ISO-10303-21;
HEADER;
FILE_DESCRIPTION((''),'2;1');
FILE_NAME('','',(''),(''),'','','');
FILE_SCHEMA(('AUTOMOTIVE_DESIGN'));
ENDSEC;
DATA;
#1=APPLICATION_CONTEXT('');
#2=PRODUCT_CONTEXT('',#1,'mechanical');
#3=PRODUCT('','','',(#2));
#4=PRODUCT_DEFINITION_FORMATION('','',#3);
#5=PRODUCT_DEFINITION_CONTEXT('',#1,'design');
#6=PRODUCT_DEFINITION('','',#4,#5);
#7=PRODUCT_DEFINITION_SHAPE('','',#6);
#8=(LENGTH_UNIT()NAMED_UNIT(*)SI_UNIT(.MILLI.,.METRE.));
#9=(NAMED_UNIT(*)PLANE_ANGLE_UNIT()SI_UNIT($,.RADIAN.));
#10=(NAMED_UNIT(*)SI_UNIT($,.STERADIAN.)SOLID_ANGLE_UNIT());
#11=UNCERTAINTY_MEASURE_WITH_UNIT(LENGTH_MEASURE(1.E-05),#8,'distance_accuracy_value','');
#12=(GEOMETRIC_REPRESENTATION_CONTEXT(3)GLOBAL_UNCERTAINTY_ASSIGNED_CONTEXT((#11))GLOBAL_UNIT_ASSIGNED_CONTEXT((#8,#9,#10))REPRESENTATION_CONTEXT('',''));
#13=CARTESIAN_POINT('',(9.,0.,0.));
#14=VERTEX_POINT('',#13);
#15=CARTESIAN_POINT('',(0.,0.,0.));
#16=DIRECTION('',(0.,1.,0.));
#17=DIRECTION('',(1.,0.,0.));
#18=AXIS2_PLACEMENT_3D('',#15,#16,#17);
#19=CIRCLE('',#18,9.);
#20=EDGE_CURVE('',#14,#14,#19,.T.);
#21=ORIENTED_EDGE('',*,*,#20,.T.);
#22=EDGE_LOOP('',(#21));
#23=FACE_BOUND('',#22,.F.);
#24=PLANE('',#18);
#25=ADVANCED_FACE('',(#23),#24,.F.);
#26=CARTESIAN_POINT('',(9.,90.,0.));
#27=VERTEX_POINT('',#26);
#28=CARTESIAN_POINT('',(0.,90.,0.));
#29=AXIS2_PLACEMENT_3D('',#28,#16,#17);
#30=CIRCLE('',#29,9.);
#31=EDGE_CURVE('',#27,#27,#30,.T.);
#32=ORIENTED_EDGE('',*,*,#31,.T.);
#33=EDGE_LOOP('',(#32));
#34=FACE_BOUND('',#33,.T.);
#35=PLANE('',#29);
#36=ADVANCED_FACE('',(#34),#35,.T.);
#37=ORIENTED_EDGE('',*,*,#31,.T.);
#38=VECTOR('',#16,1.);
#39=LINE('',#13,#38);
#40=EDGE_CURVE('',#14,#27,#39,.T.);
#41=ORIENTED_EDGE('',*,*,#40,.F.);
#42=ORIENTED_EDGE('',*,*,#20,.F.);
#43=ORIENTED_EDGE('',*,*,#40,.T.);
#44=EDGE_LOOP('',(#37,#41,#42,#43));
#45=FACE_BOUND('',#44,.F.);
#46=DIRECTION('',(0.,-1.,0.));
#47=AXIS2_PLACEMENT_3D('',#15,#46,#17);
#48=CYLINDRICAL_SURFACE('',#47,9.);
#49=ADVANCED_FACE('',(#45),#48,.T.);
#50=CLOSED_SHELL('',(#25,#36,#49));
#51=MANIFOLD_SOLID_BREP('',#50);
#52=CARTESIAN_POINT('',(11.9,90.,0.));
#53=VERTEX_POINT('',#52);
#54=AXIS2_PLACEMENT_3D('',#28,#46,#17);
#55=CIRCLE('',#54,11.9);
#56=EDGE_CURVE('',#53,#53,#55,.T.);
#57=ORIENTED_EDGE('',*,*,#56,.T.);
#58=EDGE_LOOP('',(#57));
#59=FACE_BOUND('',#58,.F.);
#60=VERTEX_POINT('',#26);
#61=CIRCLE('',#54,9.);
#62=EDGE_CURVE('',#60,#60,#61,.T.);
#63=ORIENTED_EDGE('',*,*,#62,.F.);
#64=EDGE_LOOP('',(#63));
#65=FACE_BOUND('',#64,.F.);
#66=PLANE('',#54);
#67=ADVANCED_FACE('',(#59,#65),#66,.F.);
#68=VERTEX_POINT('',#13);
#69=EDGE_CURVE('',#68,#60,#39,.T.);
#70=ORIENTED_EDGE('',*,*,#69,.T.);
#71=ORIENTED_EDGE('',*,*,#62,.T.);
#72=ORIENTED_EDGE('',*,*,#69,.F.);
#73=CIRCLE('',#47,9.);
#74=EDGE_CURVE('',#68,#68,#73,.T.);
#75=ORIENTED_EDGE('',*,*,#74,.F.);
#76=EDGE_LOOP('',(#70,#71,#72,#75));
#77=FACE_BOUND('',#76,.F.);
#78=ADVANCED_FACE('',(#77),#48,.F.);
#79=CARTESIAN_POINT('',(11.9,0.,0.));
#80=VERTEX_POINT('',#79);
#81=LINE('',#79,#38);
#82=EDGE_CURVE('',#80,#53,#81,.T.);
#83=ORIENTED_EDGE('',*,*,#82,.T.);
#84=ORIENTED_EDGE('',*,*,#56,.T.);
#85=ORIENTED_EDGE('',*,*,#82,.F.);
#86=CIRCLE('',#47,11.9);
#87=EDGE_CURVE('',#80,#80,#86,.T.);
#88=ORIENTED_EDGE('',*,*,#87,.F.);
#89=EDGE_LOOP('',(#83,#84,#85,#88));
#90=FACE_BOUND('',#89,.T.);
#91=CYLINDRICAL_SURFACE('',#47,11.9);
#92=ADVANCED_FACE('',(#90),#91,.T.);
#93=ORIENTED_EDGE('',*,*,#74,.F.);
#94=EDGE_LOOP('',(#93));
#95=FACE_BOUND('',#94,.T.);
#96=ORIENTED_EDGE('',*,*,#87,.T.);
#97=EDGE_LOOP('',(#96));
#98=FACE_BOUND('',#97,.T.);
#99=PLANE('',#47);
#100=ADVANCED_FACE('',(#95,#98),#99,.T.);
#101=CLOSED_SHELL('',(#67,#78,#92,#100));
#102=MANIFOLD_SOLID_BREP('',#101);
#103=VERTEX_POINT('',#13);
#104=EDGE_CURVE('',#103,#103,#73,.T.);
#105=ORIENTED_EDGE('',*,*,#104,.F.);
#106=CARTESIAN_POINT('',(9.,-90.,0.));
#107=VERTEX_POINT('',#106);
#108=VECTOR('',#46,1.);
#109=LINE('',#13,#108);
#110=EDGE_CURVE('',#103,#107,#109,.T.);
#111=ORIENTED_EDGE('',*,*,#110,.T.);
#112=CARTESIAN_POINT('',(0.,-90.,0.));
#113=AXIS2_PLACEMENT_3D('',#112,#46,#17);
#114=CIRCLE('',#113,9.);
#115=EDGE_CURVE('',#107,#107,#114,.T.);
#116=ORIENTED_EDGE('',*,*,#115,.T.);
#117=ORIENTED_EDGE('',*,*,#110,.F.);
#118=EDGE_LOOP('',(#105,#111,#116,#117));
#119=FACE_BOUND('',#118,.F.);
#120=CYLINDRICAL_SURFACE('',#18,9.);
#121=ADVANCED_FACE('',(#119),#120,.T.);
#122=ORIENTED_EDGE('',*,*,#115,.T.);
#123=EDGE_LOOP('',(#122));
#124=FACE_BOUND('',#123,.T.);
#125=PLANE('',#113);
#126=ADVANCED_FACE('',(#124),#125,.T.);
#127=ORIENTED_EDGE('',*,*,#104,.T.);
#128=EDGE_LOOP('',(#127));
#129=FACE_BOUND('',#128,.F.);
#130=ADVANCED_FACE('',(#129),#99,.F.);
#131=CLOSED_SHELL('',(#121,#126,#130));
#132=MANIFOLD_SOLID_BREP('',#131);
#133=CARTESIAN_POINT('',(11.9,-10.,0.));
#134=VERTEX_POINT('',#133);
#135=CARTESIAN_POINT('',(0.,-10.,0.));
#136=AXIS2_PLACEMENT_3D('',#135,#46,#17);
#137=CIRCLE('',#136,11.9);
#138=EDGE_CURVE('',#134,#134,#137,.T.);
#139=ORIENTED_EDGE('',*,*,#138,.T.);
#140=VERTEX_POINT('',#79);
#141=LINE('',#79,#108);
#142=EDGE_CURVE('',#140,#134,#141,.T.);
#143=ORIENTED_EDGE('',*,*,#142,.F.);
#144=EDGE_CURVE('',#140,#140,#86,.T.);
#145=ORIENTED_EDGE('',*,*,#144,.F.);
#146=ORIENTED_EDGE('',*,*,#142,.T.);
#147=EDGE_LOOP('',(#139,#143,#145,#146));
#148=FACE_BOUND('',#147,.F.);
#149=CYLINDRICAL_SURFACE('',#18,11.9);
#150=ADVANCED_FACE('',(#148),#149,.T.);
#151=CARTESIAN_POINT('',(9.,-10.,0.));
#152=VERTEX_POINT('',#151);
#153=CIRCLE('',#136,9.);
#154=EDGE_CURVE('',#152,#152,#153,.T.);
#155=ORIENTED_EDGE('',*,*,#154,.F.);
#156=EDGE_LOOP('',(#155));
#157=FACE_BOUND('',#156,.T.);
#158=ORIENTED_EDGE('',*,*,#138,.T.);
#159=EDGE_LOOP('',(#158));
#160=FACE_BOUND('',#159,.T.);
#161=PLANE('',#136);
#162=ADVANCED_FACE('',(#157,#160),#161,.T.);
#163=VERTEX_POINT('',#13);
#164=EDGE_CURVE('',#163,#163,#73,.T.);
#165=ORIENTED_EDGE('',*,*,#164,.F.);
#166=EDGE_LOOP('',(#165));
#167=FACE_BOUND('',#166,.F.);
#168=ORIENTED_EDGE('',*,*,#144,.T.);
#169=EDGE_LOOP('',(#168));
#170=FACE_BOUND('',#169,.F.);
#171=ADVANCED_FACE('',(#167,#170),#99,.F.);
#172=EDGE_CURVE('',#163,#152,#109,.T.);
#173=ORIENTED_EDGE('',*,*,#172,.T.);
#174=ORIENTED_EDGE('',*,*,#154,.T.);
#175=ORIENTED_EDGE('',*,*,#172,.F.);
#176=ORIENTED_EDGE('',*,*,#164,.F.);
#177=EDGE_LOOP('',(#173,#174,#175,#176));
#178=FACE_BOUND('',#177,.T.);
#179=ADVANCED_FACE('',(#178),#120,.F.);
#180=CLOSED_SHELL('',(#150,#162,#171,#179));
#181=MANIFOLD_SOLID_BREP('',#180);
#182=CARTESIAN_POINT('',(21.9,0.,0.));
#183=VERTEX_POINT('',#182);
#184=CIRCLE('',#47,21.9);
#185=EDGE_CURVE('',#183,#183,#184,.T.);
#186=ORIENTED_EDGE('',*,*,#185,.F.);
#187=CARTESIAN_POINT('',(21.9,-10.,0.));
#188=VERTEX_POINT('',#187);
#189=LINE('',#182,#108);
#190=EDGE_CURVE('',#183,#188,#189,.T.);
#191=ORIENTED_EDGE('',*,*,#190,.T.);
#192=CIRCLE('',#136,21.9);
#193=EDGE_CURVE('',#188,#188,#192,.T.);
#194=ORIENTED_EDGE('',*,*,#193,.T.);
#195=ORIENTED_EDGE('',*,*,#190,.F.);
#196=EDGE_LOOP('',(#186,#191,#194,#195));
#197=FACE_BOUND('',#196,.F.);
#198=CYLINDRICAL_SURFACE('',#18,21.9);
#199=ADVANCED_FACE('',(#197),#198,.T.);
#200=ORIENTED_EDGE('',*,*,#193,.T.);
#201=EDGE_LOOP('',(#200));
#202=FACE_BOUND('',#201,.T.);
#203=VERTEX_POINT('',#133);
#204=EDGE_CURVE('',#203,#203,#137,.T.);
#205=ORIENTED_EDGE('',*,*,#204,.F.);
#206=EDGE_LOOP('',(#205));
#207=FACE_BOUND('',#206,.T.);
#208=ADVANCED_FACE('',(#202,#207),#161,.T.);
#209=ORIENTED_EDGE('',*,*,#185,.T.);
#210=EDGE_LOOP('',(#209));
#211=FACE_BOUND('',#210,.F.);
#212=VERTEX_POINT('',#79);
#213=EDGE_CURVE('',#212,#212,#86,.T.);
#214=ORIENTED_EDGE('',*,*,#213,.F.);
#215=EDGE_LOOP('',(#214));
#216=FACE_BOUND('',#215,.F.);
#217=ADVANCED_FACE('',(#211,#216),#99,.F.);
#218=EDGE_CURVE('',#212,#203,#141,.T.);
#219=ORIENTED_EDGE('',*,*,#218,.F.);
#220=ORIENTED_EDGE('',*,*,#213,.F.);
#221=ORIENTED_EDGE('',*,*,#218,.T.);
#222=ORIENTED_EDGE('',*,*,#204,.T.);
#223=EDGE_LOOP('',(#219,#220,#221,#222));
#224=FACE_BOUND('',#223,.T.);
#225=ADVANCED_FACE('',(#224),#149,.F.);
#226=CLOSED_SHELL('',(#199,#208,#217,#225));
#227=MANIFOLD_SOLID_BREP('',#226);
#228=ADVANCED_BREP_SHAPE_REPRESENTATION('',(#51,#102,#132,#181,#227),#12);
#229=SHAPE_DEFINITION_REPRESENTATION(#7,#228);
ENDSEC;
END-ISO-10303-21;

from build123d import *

# Parameters (mm, degrees)
F0_R      = 9
F1_DEPTH  = 90
F0_R_2    = 21.9
F0_R_3    = 11.9
F2_DEPTH  = 10
F3_DEPTH  = 90
F4_DEPTH  = 10
F1_FACE_R = 9
F5_DEPTH  = 90


with BuildPart() as f1:
    # F0 (on Front) → F1 (new body)
    with BuildSketch(Plane.XZ):
        Circle(F0_R)
    extrude(amount=F1_DEPTH)


with BuildPart() as f2:
    # F0 (on Front) → F2 (new body)
    with BuildSketch(Plane.XZ):
        Circle(F0_R_2)
        Circle(F0_R_3, mode=Mode.SUBTRACT)
    extrude(amount=F2_DEPTH)


with BuildPart() as f3:
    # F0 (on Front) → F3 (new body)
    with BuildSketch(Plane.XZ):
        Circle(F0_R_3)
        Circle(F0_R, mode=Mode.SUBTRACT)
    extrude(amount=-F3_DEPTH)


with BuildPart() as f4:
    # F0 (on Front) → F4 (new body)
    with BuildSketch(Plane.XZ):
        Circle(F0_R_3)
        Circle(F0_R, mode=Mode.SUBTRACT)
    extrude(amount=F4_DEPTH)


with BuildPart() as f5:
    # F1_face (on face) → F5 (new body)
    with BuildSketch(Plane(origin=(0, 0, 0), x_dir=(1, 0, 0), z_dir=(0, 1, 0))):
        Circle(F1_FACE_R)
    extrude(amount=F5_DEPTH)


solid = Compound([f1.part, f2.part, f3.part, f4.part, f5.part])
